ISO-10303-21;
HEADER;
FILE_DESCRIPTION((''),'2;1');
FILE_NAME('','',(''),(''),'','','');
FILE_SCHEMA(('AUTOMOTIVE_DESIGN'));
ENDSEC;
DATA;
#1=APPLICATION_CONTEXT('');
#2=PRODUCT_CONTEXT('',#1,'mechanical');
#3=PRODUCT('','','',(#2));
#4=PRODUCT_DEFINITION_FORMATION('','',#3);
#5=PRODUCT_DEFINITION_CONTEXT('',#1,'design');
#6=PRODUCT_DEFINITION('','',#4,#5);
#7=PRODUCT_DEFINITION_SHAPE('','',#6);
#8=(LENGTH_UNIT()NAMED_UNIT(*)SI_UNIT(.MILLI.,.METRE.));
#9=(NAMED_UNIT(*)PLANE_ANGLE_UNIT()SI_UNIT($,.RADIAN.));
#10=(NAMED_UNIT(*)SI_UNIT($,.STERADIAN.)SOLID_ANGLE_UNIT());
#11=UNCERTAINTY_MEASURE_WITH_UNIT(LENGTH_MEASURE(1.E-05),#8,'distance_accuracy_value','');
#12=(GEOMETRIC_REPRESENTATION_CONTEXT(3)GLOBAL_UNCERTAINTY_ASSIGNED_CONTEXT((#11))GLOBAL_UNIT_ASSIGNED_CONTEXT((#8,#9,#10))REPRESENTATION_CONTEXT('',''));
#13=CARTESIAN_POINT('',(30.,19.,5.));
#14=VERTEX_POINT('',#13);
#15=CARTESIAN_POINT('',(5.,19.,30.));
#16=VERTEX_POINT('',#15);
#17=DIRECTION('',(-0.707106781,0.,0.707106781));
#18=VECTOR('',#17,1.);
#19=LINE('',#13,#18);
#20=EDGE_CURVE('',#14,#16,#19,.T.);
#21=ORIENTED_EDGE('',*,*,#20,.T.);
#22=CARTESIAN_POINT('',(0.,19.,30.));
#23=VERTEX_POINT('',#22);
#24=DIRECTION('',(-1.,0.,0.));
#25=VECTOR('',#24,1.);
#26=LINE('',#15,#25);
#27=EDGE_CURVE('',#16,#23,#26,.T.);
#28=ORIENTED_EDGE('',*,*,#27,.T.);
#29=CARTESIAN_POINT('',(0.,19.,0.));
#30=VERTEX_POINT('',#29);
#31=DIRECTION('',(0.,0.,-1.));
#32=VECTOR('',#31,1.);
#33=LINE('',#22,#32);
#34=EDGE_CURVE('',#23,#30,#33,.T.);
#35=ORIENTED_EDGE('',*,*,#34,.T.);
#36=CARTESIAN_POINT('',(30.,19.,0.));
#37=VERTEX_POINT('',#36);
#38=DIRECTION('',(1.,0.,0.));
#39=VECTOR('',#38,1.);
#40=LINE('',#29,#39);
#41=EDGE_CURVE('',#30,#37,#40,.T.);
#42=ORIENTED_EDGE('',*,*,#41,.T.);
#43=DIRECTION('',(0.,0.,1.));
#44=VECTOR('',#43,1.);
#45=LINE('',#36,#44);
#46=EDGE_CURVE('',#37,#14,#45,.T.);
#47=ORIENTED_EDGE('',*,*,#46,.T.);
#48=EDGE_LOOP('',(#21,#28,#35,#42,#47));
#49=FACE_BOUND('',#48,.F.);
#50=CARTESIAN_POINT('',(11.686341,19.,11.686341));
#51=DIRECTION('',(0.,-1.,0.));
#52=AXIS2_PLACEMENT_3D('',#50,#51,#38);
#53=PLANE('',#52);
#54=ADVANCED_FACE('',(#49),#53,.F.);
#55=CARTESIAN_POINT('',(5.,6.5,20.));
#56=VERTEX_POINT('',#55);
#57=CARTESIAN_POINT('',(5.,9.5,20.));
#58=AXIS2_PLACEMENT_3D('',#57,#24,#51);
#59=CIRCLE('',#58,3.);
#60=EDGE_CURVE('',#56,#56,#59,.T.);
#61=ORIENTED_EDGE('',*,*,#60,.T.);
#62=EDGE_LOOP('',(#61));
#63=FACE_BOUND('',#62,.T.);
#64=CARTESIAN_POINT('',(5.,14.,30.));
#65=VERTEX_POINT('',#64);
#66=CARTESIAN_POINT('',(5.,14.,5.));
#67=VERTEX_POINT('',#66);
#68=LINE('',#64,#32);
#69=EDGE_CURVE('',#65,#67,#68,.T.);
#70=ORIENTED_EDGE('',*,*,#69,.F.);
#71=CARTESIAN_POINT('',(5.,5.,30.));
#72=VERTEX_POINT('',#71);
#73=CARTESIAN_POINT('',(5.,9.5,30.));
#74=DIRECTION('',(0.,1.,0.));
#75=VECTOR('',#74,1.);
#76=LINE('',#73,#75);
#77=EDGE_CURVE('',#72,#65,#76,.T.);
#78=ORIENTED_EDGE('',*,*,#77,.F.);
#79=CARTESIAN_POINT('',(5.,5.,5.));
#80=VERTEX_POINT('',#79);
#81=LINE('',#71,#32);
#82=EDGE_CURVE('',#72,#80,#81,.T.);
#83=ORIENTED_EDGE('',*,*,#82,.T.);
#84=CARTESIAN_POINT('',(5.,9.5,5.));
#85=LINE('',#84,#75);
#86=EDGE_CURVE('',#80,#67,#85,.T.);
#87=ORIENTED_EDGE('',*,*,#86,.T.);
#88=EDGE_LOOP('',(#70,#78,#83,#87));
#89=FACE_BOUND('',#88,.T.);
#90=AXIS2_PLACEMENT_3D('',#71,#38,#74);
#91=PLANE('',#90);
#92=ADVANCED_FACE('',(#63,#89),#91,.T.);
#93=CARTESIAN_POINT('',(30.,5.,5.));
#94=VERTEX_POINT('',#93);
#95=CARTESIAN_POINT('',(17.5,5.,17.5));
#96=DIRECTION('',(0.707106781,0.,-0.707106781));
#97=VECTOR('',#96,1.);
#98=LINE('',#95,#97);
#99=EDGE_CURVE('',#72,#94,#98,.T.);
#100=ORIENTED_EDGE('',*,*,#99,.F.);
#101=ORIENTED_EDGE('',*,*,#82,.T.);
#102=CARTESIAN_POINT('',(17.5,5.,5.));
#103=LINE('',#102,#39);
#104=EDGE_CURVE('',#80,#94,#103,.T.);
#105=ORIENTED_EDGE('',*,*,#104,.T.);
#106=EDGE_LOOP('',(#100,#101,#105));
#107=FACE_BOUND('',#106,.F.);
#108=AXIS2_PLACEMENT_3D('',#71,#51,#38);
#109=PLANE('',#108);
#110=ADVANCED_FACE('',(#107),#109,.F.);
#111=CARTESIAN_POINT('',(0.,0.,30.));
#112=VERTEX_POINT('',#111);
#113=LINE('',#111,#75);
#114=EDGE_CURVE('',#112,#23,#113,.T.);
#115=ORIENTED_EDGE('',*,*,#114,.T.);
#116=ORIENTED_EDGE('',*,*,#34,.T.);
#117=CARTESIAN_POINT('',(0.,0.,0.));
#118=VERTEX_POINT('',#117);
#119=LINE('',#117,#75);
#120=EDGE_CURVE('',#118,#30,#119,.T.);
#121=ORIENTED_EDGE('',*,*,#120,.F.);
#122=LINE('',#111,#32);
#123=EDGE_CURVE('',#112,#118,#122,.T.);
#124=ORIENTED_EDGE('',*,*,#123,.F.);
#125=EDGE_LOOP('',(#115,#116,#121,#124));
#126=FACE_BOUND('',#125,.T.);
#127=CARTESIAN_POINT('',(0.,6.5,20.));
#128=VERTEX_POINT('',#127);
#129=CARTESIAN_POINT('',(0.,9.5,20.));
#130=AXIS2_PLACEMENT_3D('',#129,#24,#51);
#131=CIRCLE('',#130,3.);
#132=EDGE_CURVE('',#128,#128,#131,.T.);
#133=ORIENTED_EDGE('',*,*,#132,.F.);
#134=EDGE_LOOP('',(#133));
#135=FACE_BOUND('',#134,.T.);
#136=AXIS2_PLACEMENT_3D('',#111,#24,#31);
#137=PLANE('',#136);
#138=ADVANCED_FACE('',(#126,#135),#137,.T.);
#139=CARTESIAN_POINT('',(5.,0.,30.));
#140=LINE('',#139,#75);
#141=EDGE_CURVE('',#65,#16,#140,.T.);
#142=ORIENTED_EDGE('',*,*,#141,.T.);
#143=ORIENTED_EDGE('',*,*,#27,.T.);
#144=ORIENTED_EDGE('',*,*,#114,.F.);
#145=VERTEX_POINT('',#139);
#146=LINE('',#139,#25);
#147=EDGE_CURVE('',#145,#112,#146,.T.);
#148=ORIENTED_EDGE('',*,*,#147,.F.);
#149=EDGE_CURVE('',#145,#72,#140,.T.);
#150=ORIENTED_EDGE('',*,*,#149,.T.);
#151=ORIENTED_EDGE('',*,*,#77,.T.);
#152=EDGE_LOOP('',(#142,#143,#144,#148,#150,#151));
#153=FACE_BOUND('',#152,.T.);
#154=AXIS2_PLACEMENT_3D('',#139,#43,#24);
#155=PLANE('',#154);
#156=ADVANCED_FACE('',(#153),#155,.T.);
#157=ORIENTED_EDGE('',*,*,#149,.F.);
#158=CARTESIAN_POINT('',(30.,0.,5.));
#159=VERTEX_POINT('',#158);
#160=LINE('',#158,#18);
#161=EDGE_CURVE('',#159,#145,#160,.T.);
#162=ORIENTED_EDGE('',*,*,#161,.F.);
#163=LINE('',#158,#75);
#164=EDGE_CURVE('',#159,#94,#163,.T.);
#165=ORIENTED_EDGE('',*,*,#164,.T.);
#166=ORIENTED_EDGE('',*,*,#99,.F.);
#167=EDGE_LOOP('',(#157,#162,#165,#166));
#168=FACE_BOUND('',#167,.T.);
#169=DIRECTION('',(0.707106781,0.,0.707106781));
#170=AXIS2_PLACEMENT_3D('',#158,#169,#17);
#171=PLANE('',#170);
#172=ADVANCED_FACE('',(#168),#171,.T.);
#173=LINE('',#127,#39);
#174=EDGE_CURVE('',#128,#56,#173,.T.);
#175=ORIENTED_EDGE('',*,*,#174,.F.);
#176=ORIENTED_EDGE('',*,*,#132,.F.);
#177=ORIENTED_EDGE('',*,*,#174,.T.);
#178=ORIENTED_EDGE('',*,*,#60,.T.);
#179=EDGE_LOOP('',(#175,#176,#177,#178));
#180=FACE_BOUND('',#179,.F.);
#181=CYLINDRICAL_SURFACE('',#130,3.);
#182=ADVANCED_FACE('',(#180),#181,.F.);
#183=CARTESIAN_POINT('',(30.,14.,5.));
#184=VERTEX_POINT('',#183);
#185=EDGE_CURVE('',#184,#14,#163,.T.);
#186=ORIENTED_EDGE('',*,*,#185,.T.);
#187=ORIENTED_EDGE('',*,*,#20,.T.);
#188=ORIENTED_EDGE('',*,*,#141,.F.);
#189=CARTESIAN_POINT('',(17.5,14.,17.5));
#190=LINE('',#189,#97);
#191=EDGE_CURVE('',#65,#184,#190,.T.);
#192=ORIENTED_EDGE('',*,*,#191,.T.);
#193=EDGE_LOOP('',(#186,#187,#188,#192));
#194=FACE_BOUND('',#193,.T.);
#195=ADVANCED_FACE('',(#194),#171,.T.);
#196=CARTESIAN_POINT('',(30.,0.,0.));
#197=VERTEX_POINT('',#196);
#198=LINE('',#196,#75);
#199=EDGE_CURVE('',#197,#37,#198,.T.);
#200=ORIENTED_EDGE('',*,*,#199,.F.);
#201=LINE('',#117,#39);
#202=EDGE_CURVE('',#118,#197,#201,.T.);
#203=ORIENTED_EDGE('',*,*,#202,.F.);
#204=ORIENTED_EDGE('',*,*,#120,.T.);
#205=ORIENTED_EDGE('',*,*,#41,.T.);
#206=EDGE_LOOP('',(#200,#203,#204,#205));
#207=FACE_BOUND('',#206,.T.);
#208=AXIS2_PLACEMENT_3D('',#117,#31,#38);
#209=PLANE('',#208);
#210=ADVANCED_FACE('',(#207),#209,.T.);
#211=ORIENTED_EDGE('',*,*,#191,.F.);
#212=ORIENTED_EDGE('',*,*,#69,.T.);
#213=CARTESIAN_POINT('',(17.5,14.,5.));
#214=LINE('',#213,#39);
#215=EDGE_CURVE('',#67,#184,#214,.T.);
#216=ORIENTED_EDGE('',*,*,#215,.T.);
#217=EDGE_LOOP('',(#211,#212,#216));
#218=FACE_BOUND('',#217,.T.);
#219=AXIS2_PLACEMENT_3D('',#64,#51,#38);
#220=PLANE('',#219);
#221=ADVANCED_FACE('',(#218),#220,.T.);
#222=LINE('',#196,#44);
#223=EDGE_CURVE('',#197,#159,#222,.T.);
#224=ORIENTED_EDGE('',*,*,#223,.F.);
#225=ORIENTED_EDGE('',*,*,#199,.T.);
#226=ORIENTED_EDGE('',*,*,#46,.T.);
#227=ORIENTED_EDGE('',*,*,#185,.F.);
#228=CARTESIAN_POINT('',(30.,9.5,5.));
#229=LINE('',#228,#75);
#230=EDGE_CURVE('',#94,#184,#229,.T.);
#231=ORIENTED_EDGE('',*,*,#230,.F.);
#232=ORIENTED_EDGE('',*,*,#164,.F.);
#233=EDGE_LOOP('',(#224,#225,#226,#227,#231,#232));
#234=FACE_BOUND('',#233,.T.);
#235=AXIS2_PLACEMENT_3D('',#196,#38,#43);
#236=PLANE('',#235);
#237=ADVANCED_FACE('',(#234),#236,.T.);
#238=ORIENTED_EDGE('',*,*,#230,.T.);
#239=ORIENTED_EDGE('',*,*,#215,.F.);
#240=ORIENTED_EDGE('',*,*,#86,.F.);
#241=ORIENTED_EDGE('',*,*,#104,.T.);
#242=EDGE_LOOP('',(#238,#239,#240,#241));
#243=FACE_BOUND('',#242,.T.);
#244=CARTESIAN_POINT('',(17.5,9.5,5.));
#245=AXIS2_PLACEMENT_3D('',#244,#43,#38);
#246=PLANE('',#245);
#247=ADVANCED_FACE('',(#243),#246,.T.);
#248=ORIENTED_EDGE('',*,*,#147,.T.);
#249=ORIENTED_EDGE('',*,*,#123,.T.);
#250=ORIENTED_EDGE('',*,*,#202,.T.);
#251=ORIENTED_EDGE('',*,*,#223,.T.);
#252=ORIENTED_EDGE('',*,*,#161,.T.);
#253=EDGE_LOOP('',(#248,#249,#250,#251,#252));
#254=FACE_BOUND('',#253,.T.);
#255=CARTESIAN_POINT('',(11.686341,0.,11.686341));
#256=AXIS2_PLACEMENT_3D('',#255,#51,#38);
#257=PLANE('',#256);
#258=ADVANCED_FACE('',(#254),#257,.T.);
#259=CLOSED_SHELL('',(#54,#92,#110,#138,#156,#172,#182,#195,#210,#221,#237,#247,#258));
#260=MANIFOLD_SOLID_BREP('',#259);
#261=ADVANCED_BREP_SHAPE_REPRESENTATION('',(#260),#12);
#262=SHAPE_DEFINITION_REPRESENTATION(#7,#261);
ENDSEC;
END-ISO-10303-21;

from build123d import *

# Parameters (mm, degrees)
F1_DEPTH = 19
F3_W     = 25
F3_H     = 9
F4_DEPTH = 25
F5_R     = 3
F6_DEPTH = 5


with BuildPart() as f1:
    # F0 (on Front) → F1 (new body)
    with BuildSketch(Plane.XZ):
        Polygon((0, 30), (0, 0), (30, 0), (30, 5), (5, 30), align=None)
    extrude(amount=-F1_DEPTH)

    # F3 (on offset) → F4 (cut)
    with BuildSketch(Plane.XY.offset(30)):
        with Locations((17.5, 9.5)):
            Rectangle(F3_W, F3_H)
    extrude(amount=-F4_DEPTH, mode=Mode.SUBTRACT)

    # F5 (on face) → F6 (cut, through all)
    with BuildSketch(Plane(origin=(0, 0, 0), x_dir=(0, -1, 0), z_dir=(-1, 0, 0))):
        with Locations((-9.5, 20)):
            Circle(F5_R)
    extrude(amount=-F6_DEPTH, mode=Mode.SUBTRACT)


solid = f1.part
